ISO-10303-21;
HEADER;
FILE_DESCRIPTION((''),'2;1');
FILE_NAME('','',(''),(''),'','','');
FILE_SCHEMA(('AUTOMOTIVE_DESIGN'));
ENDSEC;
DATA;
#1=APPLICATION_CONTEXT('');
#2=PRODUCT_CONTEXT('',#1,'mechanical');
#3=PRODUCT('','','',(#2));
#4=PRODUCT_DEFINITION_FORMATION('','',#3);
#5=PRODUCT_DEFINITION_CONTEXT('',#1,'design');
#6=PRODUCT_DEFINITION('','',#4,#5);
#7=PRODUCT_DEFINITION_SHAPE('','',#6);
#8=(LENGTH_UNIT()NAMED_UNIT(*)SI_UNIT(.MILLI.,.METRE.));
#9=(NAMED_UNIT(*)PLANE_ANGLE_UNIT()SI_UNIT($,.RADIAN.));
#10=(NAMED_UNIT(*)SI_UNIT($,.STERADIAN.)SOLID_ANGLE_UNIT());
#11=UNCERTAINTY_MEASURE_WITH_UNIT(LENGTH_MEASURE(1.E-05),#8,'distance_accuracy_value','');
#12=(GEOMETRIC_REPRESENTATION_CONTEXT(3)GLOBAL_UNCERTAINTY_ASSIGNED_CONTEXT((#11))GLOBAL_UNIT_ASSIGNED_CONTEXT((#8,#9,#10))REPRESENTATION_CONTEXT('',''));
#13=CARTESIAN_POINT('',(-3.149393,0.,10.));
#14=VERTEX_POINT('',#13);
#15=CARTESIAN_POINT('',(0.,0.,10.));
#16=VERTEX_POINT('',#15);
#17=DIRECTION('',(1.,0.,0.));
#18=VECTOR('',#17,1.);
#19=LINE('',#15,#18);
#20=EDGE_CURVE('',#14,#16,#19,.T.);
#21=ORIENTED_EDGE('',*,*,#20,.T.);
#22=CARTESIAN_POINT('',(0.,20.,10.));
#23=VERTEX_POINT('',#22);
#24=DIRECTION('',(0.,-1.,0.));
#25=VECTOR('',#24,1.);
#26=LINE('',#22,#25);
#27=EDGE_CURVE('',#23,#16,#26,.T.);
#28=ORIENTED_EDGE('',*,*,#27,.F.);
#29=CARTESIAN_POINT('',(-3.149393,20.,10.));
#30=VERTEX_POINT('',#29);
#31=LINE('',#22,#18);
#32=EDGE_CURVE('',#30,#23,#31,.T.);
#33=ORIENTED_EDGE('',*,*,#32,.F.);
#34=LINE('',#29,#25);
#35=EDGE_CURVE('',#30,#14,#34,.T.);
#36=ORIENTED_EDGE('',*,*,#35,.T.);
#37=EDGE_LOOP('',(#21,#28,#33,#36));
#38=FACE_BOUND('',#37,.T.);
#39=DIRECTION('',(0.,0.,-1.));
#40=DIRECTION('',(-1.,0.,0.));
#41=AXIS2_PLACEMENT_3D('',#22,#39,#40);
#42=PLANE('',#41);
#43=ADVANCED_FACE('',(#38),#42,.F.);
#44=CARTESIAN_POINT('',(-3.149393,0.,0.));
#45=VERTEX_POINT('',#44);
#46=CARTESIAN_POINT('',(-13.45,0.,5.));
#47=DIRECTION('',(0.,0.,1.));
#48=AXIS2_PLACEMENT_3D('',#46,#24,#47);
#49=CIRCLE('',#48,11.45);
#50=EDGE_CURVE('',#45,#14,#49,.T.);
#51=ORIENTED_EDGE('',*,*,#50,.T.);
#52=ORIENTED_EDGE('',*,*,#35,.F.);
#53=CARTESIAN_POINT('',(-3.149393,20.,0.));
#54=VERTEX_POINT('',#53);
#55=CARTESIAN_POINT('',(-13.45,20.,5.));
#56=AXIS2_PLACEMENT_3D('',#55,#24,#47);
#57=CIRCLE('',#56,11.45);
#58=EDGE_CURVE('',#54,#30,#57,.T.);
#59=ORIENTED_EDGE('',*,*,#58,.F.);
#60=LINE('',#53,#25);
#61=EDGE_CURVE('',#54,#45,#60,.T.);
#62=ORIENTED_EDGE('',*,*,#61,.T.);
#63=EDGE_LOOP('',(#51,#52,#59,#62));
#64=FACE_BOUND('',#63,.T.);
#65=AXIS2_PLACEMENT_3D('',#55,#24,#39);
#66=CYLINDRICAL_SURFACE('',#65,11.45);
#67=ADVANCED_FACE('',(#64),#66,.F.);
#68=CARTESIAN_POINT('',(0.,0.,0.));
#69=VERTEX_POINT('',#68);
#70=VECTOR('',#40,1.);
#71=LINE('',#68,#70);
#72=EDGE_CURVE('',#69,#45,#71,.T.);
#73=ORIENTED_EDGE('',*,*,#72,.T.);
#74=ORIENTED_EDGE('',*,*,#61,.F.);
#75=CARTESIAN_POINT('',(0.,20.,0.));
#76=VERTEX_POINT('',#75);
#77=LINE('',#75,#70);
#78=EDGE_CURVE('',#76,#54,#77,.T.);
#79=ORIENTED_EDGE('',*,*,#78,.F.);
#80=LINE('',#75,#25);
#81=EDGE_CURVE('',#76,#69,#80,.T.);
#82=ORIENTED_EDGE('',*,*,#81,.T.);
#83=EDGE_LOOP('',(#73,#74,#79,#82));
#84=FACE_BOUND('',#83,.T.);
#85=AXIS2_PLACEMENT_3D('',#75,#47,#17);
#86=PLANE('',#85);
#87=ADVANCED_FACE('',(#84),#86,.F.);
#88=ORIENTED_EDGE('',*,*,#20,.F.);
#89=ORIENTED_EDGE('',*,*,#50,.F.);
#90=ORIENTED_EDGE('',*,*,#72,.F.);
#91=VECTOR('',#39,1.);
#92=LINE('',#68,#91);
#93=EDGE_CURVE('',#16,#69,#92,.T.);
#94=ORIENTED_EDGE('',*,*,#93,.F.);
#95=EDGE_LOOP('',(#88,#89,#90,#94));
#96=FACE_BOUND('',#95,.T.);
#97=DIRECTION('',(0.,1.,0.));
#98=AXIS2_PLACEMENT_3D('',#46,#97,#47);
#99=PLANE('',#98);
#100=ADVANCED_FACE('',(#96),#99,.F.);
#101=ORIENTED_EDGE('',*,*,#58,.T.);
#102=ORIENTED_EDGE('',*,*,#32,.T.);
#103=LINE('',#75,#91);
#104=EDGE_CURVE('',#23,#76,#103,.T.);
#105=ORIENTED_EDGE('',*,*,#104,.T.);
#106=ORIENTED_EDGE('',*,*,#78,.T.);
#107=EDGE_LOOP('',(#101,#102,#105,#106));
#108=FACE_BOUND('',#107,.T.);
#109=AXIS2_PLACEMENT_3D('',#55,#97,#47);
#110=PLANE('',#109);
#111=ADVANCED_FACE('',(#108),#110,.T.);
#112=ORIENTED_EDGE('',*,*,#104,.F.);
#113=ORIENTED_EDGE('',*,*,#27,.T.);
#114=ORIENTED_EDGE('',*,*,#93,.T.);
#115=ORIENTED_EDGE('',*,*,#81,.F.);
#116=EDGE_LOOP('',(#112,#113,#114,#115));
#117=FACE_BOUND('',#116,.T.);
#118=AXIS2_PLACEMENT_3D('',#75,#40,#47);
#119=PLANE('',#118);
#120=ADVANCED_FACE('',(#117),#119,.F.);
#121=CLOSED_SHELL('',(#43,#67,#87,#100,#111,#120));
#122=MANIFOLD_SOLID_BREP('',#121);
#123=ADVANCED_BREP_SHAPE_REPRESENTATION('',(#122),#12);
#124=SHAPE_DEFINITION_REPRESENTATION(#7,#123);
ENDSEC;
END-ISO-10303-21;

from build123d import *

# Parameters (mm, degrees)
EXTRUDE_1_DEPTH = 20


with BuildPart() as part:
    # 草图1 → 凸台-拉伸1 (new body)
    with BuildSketch(Plane(origin=(0, 0, 0), x_dir=(1, 0, 0), z_dir=(0, 1, 0))):
        with BuildLine():
            Line((0, 0), (0, -10))
            Line((0, -10), (-3.149393222, -10))
            ThreePointArc((-3.149393222, -10), (-2, -5), (-3.149393222, 0))
            Line((-3.149393222, 0), (0, 0))
        make_face()
    extrude(amount=EXTRUDE_1_DEPTH)


solid = part.part
